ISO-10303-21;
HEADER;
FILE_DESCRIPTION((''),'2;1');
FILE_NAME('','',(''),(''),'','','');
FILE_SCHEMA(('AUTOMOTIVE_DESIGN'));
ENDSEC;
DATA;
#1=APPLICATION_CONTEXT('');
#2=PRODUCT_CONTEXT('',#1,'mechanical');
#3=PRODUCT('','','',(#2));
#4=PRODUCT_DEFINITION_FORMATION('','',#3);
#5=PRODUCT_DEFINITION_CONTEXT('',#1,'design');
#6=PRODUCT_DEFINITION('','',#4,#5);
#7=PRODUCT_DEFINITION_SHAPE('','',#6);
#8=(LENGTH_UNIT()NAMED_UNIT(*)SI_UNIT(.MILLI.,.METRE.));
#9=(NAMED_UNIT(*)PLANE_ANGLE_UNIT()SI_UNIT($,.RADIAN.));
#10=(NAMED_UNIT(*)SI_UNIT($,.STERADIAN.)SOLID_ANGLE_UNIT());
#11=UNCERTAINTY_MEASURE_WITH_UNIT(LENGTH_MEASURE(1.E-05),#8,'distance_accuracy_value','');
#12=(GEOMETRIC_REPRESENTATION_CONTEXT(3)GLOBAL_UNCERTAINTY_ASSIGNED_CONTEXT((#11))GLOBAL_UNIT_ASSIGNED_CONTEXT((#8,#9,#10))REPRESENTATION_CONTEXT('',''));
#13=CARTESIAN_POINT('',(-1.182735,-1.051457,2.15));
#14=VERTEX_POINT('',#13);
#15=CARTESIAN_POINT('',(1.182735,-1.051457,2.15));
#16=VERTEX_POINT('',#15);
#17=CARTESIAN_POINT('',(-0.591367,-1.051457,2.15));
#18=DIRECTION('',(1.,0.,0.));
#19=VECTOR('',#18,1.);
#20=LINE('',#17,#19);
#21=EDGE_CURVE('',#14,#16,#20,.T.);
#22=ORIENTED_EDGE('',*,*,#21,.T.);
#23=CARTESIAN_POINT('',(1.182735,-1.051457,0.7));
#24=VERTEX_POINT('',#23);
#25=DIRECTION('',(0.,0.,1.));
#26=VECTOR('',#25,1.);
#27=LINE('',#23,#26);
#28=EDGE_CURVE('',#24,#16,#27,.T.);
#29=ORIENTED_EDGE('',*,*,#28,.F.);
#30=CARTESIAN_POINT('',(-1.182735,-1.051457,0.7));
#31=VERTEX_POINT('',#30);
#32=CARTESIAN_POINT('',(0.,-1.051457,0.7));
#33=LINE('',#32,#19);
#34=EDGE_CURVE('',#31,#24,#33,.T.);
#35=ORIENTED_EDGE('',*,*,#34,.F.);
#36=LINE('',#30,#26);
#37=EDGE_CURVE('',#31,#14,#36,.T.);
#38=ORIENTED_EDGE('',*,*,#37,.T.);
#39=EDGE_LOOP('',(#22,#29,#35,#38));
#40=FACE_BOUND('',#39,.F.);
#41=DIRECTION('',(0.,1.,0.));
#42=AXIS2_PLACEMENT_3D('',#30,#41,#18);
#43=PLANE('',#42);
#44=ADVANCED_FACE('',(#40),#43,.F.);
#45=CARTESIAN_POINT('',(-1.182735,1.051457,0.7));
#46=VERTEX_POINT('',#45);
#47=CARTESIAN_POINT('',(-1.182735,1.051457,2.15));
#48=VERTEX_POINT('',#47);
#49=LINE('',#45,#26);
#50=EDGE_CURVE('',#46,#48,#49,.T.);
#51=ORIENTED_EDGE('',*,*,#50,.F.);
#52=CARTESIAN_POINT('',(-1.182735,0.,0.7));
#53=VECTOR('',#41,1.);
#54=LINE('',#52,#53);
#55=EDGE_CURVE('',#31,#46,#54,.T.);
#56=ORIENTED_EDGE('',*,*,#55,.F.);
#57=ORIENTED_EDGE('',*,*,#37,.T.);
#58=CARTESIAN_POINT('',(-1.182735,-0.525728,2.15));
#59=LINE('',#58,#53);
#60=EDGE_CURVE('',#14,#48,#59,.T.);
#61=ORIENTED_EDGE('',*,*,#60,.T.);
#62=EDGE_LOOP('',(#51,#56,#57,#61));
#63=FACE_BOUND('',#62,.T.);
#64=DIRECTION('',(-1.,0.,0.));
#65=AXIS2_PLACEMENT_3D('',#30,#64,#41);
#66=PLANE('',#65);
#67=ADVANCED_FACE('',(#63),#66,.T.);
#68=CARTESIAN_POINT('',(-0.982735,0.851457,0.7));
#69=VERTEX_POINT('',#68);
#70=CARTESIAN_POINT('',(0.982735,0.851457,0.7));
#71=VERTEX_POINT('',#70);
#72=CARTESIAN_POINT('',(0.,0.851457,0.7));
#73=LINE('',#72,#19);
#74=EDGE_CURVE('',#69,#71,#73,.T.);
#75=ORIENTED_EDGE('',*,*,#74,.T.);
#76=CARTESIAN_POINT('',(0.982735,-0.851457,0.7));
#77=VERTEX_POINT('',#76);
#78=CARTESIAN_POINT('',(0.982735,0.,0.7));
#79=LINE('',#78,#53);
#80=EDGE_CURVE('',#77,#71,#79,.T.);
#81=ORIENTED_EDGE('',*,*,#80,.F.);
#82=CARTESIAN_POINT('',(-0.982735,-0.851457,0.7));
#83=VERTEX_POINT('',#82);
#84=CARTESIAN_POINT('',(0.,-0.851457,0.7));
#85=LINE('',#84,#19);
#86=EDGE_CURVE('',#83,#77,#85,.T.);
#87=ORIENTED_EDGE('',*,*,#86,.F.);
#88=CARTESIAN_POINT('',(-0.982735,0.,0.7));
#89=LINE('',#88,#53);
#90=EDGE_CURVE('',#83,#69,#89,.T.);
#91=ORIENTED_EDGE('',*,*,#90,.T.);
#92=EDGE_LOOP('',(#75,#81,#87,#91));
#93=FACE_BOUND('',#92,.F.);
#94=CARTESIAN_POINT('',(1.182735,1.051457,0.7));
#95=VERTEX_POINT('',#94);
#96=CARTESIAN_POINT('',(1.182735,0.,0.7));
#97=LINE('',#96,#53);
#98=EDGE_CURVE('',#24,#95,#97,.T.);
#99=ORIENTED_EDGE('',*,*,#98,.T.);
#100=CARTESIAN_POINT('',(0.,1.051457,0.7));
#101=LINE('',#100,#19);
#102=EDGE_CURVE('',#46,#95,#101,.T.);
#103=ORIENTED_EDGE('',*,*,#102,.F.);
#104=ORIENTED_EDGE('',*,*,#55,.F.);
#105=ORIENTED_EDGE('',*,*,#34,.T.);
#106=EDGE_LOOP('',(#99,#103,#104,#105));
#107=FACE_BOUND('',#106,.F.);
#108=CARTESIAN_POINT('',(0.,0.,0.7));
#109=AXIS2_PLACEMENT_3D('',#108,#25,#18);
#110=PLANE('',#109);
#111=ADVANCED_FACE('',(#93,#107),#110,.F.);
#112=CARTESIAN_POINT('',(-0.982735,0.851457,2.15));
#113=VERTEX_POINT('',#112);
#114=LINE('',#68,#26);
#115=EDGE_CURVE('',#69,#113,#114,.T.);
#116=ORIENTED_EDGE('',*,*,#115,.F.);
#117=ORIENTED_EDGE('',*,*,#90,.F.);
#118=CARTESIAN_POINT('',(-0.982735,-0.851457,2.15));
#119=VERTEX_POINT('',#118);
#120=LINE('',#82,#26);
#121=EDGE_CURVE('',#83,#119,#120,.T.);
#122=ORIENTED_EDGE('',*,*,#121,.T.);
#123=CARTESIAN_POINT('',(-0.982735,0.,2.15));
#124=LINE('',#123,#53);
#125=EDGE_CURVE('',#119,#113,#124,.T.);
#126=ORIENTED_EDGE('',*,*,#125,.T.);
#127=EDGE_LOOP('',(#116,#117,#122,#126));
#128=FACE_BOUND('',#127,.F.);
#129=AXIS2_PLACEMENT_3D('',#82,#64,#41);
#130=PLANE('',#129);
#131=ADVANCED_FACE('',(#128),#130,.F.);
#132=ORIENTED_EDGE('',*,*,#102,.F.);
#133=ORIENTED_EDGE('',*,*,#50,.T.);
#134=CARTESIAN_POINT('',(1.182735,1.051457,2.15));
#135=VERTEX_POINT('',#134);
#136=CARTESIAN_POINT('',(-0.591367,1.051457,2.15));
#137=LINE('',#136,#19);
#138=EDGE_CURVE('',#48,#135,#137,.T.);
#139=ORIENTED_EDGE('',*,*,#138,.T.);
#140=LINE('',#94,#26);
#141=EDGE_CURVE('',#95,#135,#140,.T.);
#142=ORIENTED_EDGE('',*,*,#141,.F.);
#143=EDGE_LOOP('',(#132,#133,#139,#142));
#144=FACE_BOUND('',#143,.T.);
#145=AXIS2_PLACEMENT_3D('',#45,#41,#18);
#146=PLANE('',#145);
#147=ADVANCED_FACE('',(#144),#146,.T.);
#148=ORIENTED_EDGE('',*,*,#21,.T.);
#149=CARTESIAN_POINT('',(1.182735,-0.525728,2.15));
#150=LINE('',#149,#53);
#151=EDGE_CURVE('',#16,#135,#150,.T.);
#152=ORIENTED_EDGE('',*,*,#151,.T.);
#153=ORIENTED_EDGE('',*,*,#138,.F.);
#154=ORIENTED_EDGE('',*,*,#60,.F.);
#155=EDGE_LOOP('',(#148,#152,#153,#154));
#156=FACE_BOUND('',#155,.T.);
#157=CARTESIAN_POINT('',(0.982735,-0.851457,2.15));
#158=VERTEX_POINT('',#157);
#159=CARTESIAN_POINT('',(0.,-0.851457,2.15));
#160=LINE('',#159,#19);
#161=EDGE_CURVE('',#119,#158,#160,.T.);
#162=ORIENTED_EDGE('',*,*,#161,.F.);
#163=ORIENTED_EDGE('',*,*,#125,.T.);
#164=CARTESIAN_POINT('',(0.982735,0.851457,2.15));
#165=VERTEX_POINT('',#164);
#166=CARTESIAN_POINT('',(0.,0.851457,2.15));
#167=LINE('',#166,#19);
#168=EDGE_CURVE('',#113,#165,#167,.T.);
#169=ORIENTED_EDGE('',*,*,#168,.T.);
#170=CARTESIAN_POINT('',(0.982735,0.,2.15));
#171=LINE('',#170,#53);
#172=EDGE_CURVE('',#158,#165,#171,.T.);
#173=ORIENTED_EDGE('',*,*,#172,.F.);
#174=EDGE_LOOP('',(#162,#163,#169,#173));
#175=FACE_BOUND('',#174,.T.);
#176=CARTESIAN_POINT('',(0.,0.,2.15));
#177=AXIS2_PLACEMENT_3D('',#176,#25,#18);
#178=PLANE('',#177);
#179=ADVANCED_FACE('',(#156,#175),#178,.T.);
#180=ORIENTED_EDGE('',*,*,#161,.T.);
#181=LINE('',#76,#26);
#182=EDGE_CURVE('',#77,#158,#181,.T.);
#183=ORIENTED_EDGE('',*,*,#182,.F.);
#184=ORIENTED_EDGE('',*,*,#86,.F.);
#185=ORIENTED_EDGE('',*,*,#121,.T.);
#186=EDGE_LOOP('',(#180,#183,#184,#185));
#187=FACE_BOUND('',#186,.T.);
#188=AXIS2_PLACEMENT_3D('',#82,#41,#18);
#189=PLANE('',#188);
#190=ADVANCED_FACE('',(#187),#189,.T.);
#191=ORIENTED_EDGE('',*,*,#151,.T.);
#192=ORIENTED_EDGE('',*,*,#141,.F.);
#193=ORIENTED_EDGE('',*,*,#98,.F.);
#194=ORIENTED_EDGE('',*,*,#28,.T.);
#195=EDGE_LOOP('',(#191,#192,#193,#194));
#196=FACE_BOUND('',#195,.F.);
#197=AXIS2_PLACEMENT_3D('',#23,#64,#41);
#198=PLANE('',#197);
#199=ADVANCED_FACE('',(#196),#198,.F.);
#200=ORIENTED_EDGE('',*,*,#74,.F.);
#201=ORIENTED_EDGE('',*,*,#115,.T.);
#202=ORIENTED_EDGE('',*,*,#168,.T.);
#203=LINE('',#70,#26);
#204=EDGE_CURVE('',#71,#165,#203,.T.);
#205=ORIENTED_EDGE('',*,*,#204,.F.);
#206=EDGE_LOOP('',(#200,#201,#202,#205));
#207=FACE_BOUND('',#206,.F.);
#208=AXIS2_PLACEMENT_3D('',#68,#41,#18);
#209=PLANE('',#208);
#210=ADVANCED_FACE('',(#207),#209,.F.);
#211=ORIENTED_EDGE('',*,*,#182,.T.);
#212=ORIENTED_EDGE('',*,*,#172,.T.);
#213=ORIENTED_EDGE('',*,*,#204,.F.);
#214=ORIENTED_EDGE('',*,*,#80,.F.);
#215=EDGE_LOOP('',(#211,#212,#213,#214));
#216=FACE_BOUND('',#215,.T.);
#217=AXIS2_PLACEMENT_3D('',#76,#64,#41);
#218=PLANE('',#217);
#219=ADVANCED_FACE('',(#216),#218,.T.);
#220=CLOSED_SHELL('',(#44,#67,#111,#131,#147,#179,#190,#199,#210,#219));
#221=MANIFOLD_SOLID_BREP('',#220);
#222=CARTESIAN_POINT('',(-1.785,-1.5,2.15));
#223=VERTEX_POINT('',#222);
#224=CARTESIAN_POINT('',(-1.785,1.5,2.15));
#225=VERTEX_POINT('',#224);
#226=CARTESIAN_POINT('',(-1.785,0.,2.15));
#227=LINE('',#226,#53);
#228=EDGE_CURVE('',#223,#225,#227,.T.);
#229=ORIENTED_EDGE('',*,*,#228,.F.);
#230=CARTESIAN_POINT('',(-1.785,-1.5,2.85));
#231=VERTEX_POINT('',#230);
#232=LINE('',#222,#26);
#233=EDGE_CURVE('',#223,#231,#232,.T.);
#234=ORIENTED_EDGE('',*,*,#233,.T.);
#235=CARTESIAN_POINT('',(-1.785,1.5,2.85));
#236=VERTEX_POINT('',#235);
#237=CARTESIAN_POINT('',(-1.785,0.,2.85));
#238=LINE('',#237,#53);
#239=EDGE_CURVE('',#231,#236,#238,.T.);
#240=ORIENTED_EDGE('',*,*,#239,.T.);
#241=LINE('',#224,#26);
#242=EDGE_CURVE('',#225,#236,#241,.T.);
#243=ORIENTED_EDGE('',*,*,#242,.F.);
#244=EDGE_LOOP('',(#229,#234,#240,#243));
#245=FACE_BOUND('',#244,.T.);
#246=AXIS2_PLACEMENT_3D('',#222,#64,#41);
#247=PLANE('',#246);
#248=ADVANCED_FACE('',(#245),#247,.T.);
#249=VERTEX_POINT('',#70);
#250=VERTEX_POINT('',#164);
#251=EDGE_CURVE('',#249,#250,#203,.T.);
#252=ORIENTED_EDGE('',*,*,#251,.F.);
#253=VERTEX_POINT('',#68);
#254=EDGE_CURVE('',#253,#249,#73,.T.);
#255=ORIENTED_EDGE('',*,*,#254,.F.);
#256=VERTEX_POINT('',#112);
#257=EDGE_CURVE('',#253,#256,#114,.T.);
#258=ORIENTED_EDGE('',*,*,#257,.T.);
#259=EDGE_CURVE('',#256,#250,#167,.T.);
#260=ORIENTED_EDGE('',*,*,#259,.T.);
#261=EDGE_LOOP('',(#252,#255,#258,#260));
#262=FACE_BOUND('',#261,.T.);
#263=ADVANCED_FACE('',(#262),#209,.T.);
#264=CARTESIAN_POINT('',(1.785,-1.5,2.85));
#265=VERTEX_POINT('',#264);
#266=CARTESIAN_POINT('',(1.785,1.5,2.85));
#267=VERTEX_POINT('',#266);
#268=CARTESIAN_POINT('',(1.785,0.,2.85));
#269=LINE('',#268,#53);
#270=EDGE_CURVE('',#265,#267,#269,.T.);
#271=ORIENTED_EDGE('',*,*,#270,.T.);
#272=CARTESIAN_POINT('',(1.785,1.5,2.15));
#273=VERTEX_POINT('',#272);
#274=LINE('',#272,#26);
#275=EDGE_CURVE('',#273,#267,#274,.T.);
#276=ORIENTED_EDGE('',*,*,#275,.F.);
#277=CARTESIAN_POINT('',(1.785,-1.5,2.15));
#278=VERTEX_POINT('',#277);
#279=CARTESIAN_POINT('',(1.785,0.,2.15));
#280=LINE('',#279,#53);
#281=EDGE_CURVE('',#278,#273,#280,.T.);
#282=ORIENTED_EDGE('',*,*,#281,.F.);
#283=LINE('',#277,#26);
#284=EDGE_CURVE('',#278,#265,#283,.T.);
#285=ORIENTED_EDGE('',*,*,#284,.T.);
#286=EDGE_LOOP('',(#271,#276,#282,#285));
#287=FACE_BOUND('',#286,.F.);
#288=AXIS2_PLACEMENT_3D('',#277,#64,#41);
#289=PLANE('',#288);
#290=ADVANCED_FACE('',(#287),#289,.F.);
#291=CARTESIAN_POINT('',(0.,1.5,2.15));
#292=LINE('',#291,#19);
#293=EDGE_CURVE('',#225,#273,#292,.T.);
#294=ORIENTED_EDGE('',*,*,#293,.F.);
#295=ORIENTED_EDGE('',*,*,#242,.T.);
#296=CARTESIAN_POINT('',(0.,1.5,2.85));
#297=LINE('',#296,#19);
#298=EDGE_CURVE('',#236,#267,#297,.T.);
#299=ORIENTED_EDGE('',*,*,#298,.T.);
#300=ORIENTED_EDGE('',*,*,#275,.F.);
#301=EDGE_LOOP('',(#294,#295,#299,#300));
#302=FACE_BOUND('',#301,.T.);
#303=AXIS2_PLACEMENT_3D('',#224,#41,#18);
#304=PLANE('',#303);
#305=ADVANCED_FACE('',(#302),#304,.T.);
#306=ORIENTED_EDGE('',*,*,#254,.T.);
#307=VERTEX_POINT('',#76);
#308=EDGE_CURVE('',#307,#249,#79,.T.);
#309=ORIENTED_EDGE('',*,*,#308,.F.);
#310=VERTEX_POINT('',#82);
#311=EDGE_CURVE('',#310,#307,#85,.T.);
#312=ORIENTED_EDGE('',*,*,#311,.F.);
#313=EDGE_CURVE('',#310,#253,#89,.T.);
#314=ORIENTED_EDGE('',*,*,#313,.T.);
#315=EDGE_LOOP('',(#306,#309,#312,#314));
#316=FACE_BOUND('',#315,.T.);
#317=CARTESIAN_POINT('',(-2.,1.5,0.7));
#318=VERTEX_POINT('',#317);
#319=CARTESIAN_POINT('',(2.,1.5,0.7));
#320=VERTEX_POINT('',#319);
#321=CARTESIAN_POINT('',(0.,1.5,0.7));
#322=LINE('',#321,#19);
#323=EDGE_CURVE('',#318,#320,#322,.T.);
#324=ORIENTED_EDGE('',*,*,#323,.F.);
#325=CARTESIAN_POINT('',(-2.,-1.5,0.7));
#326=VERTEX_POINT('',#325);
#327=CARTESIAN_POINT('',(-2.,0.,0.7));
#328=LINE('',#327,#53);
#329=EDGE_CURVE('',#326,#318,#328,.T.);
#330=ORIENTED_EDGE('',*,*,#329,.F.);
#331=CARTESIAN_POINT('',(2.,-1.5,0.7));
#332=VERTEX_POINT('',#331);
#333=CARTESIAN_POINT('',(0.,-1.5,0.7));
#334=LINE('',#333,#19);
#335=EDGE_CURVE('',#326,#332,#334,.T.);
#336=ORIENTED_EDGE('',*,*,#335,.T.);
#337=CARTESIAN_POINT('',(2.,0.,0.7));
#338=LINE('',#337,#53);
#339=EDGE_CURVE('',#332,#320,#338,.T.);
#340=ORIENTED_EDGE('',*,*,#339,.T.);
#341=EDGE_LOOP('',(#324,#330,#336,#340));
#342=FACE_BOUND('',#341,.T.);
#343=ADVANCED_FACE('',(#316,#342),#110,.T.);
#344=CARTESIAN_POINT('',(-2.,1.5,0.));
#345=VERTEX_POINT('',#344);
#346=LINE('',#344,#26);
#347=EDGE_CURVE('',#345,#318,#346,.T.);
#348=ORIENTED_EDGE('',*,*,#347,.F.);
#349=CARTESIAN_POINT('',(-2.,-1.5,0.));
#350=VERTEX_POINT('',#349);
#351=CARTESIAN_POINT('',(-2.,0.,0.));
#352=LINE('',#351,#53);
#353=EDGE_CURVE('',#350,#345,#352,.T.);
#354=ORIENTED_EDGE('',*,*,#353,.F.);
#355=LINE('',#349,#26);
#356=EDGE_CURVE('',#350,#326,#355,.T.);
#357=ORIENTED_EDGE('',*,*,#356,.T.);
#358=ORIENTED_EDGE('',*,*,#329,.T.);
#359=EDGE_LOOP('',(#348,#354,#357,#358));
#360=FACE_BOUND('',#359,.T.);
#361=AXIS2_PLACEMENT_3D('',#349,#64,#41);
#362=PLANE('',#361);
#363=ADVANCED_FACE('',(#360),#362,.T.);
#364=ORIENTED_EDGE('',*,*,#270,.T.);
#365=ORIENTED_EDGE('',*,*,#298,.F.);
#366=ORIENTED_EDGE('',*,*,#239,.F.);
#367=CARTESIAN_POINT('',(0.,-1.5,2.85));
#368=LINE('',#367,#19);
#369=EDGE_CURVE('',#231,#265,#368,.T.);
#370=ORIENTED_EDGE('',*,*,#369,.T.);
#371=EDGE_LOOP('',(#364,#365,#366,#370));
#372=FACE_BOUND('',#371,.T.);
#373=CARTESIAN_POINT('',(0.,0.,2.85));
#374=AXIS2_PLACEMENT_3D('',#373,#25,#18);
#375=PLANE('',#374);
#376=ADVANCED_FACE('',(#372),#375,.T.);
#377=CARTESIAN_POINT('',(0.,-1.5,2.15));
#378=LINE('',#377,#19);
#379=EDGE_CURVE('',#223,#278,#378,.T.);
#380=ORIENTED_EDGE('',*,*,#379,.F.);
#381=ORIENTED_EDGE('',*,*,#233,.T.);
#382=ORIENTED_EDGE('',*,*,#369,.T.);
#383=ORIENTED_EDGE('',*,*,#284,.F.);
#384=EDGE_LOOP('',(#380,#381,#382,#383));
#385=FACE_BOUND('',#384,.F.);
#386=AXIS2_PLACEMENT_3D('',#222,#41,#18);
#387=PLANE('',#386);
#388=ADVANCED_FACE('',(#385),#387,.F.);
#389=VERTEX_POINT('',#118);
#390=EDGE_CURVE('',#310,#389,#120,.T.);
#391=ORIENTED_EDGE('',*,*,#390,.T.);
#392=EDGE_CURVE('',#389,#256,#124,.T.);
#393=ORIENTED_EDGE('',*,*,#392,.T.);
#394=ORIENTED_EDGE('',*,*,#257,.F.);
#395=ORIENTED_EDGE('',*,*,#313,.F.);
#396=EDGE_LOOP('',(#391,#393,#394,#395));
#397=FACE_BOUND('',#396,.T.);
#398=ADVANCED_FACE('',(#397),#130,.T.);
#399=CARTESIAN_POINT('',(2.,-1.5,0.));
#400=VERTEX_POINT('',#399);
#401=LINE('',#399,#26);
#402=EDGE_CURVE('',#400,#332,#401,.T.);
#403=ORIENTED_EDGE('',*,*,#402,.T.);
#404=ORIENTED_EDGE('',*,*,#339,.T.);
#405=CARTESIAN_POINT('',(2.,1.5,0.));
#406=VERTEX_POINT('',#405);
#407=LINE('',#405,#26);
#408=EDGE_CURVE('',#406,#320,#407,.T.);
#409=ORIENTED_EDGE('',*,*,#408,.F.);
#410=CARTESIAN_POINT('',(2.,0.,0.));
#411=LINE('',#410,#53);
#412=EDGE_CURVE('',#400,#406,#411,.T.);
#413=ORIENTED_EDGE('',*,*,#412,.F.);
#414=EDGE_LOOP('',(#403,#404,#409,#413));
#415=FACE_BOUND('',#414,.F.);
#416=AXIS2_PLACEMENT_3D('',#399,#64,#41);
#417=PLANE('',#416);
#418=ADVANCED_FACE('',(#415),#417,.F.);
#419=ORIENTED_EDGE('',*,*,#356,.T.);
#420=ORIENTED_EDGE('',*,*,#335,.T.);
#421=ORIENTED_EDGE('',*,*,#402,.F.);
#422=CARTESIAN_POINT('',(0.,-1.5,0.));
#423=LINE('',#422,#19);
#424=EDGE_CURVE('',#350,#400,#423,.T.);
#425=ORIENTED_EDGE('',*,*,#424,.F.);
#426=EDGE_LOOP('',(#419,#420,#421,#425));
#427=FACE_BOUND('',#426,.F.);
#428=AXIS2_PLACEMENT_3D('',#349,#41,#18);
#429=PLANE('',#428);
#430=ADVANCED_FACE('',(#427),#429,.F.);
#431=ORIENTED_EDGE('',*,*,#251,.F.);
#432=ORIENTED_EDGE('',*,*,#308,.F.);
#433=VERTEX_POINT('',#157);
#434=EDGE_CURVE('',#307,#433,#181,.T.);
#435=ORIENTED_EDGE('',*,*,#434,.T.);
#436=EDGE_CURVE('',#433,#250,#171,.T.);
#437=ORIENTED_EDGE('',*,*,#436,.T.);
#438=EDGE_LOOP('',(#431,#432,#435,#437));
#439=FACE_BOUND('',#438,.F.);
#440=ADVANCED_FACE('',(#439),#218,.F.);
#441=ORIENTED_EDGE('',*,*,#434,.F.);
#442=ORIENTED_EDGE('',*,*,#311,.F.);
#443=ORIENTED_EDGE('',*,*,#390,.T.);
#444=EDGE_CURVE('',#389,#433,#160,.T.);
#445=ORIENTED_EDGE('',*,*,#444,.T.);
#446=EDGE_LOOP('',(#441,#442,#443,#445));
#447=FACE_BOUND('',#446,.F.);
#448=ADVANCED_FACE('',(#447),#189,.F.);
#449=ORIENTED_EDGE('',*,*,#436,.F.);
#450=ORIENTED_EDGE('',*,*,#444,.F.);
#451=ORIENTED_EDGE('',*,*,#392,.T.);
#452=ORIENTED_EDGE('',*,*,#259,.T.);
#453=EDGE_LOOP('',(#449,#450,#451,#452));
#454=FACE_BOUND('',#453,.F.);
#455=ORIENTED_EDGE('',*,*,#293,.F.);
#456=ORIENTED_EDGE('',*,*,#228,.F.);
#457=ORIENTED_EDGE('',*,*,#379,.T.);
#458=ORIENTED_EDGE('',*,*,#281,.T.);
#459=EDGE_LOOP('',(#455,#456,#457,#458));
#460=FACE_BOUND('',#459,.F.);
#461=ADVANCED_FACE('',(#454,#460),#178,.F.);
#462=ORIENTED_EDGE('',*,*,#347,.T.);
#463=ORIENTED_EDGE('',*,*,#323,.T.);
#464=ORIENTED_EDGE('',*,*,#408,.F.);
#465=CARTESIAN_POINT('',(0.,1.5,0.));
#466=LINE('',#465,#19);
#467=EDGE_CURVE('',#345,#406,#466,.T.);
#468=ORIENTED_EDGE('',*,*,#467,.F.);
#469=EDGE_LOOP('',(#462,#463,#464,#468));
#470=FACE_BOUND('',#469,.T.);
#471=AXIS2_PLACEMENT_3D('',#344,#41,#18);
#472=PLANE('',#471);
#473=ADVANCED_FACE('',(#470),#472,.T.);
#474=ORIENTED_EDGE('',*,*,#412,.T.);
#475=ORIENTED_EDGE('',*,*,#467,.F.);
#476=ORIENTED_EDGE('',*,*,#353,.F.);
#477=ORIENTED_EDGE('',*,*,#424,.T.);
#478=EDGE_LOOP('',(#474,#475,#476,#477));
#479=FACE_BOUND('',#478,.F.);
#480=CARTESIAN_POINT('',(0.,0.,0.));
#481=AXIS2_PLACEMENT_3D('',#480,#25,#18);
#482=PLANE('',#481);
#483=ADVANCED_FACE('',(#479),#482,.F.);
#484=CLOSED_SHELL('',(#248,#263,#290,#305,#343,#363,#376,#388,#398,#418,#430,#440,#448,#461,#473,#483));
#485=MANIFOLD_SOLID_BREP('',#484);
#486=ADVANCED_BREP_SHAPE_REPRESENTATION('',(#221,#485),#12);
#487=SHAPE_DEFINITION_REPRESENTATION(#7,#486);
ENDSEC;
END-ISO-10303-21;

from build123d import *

# Parameters (mm, degrees)
SKETCH_1_W      = 4
SKETCH_1_H      = 3
EXTRUDE_1_DEPTH = 0.7
SKETCH_2_W      = 1.965469396
SKETCH_2_H      = 1.702913888
EXTRUDE_2_DEPTH = 1.45
SKETCH_4_W      = 3.57
SKETCH_4_H      = 3
EXTRUDE_3_DEPTH = 0.7
EXTRUDE_4_REACH = 4.15
SKETCH_7_W      = 2.365469396
SKETCH_7_H      = 2.102913888


with BuildPart() as part:
    # Эскиз1 → Бобышка-Вытянуть1 (new body)
    with BuildSketch(Plane.XY):
        Rectangle(SKETCH_1_W, SKETCH_1_H)
    extrude(amount=EXTRUDE_1_DEPTH)

    # Эскиз2 → Бобышка-Вытянуть2 (add)
    with BuildSketch(Plane.XY.offset(0.7)):
        Rectangle(SKETCH_2_W, SKETCH_2_H)
    extrude(amount=EXTRUDE_2_DEPTH)

    # Эскиз4 → Бобышка-Вытянуть3 (add)
    with BuildSketch(Plane.XY.offset(2.15)):
        Rectangle(SKETCH_4_W, SKETCH_4_H)
    extrude(amount=EXTRUDE_3_DEPTH)


with BuildPart() as body_2:

    # Эскиз7 → Бобышка-Вытянуть4 (new body, up to next)
    with BuildSketch(Plane.XY.offset(0.7), mode=Mode.PRIVATE) as extrude_4_sk1:
        Rectangle(SKETCH_7_W, SKETCH_7_H)
    extrude_4_tool1 = extrude(extrude_4_sk1.sketch, amount=EXTRUDE_4_REACH, mode=Mode.PRIVATE) - part.part
    add(extrude_4_tool1.solids().sort_by_distance((0, 0, 0.7))[0])


solid = Compound([part.part, body_2.part])
